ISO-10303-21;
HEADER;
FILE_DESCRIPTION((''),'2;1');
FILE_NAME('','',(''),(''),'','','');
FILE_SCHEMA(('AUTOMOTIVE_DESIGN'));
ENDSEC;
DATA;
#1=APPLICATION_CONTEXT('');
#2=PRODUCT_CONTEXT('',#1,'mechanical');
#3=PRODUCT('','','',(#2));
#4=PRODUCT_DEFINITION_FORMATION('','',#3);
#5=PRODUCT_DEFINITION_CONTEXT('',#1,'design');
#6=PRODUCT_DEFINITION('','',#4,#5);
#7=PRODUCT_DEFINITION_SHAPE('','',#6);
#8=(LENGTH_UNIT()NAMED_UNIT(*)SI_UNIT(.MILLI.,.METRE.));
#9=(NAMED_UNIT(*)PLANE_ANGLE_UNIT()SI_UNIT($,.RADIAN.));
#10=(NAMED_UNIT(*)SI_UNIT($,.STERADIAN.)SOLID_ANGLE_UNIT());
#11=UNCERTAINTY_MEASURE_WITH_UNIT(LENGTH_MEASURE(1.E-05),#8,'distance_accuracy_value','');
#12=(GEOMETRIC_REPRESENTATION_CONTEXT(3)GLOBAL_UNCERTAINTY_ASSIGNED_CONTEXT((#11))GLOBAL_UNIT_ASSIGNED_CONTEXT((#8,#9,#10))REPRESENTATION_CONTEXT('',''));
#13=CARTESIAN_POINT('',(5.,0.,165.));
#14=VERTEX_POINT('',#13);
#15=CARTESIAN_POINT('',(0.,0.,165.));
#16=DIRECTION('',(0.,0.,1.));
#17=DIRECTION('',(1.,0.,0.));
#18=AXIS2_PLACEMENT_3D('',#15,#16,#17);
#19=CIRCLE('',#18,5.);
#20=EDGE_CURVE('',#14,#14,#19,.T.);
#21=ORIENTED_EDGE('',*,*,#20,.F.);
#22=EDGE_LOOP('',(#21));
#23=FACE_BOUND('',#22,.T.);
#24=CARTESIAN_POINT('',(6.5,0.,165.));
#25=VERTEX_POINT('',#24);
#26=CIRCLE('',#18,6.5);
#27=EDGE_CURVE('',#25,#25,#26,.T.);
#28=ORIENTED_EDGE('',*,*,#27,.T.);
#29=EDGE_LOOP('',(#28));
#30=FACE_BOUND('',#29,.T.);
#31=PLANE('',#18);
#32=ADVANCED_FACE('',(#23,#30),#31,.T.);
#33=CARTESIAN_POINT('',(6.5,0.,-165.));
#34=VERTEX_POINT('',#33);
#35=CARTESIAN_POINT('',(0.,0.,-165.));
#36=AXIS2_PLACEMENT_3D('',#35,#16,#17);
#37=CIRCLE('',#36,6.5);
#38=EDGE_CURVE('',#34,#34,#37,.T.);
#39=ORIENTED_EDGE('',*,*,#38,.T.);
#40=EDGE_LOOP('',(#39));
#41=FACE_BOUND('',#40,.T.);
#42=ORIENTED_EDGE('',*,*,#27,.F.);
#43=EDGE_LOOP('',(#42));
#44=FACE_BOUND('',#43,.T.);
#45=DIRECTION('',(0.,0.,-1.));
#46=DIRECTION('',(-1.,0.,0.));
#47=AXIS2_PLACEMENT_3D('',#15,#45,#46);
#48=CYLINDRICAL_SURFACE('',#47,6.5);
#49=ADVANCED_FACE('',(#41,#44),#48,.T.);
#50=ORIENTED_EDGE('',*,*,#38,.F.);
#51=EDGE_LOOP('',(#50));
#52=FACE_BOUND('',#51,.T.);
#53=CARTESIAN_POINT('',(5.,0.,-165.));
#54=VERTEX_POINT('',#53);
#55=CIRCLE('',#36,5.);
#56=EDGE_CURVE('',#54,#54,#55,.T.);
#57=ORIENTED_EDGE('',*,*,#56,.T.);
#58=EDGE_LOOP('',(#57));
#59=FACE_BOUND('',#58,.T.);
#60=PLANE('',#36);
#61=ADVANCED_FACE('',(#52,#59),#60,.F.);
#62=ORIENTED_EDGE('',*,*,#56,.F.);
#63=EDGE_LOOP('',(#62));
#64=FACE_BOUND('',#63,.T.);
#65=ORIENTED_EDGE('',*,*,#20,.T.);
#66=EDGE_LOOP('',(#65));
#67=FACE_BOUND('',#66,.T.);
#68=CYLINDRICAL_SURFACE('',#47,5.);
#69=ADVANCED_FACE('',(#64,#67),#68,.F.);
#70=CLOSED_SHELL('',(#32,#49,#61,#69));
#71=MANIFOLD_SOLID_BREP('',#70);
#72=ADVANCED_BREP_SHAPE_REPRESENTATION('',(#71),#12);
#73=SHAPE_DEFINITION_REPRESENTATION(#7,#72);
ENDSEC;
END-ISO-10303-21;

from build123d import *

# Parameters (mm, degrees)
CROQUIS1_R              = 6.5
CROQUIS1_R_2            = 5
SALIENTE_EXTRUIR1_DEPTH = 165


with BuildPart() as part:
    # Croquis1 → Saliente-Extruir1 (new body, symmetric)
    with BuildSketch(Plane.XY):
        Circle(CROQUIS1_R)
        Circle(CROQUIS1_R_2, mode=Mode.SUBTRACT)
    extrude(amount=SALIENTE_EXTRUIR1_DEPTH, both=True)


solid = part.part
